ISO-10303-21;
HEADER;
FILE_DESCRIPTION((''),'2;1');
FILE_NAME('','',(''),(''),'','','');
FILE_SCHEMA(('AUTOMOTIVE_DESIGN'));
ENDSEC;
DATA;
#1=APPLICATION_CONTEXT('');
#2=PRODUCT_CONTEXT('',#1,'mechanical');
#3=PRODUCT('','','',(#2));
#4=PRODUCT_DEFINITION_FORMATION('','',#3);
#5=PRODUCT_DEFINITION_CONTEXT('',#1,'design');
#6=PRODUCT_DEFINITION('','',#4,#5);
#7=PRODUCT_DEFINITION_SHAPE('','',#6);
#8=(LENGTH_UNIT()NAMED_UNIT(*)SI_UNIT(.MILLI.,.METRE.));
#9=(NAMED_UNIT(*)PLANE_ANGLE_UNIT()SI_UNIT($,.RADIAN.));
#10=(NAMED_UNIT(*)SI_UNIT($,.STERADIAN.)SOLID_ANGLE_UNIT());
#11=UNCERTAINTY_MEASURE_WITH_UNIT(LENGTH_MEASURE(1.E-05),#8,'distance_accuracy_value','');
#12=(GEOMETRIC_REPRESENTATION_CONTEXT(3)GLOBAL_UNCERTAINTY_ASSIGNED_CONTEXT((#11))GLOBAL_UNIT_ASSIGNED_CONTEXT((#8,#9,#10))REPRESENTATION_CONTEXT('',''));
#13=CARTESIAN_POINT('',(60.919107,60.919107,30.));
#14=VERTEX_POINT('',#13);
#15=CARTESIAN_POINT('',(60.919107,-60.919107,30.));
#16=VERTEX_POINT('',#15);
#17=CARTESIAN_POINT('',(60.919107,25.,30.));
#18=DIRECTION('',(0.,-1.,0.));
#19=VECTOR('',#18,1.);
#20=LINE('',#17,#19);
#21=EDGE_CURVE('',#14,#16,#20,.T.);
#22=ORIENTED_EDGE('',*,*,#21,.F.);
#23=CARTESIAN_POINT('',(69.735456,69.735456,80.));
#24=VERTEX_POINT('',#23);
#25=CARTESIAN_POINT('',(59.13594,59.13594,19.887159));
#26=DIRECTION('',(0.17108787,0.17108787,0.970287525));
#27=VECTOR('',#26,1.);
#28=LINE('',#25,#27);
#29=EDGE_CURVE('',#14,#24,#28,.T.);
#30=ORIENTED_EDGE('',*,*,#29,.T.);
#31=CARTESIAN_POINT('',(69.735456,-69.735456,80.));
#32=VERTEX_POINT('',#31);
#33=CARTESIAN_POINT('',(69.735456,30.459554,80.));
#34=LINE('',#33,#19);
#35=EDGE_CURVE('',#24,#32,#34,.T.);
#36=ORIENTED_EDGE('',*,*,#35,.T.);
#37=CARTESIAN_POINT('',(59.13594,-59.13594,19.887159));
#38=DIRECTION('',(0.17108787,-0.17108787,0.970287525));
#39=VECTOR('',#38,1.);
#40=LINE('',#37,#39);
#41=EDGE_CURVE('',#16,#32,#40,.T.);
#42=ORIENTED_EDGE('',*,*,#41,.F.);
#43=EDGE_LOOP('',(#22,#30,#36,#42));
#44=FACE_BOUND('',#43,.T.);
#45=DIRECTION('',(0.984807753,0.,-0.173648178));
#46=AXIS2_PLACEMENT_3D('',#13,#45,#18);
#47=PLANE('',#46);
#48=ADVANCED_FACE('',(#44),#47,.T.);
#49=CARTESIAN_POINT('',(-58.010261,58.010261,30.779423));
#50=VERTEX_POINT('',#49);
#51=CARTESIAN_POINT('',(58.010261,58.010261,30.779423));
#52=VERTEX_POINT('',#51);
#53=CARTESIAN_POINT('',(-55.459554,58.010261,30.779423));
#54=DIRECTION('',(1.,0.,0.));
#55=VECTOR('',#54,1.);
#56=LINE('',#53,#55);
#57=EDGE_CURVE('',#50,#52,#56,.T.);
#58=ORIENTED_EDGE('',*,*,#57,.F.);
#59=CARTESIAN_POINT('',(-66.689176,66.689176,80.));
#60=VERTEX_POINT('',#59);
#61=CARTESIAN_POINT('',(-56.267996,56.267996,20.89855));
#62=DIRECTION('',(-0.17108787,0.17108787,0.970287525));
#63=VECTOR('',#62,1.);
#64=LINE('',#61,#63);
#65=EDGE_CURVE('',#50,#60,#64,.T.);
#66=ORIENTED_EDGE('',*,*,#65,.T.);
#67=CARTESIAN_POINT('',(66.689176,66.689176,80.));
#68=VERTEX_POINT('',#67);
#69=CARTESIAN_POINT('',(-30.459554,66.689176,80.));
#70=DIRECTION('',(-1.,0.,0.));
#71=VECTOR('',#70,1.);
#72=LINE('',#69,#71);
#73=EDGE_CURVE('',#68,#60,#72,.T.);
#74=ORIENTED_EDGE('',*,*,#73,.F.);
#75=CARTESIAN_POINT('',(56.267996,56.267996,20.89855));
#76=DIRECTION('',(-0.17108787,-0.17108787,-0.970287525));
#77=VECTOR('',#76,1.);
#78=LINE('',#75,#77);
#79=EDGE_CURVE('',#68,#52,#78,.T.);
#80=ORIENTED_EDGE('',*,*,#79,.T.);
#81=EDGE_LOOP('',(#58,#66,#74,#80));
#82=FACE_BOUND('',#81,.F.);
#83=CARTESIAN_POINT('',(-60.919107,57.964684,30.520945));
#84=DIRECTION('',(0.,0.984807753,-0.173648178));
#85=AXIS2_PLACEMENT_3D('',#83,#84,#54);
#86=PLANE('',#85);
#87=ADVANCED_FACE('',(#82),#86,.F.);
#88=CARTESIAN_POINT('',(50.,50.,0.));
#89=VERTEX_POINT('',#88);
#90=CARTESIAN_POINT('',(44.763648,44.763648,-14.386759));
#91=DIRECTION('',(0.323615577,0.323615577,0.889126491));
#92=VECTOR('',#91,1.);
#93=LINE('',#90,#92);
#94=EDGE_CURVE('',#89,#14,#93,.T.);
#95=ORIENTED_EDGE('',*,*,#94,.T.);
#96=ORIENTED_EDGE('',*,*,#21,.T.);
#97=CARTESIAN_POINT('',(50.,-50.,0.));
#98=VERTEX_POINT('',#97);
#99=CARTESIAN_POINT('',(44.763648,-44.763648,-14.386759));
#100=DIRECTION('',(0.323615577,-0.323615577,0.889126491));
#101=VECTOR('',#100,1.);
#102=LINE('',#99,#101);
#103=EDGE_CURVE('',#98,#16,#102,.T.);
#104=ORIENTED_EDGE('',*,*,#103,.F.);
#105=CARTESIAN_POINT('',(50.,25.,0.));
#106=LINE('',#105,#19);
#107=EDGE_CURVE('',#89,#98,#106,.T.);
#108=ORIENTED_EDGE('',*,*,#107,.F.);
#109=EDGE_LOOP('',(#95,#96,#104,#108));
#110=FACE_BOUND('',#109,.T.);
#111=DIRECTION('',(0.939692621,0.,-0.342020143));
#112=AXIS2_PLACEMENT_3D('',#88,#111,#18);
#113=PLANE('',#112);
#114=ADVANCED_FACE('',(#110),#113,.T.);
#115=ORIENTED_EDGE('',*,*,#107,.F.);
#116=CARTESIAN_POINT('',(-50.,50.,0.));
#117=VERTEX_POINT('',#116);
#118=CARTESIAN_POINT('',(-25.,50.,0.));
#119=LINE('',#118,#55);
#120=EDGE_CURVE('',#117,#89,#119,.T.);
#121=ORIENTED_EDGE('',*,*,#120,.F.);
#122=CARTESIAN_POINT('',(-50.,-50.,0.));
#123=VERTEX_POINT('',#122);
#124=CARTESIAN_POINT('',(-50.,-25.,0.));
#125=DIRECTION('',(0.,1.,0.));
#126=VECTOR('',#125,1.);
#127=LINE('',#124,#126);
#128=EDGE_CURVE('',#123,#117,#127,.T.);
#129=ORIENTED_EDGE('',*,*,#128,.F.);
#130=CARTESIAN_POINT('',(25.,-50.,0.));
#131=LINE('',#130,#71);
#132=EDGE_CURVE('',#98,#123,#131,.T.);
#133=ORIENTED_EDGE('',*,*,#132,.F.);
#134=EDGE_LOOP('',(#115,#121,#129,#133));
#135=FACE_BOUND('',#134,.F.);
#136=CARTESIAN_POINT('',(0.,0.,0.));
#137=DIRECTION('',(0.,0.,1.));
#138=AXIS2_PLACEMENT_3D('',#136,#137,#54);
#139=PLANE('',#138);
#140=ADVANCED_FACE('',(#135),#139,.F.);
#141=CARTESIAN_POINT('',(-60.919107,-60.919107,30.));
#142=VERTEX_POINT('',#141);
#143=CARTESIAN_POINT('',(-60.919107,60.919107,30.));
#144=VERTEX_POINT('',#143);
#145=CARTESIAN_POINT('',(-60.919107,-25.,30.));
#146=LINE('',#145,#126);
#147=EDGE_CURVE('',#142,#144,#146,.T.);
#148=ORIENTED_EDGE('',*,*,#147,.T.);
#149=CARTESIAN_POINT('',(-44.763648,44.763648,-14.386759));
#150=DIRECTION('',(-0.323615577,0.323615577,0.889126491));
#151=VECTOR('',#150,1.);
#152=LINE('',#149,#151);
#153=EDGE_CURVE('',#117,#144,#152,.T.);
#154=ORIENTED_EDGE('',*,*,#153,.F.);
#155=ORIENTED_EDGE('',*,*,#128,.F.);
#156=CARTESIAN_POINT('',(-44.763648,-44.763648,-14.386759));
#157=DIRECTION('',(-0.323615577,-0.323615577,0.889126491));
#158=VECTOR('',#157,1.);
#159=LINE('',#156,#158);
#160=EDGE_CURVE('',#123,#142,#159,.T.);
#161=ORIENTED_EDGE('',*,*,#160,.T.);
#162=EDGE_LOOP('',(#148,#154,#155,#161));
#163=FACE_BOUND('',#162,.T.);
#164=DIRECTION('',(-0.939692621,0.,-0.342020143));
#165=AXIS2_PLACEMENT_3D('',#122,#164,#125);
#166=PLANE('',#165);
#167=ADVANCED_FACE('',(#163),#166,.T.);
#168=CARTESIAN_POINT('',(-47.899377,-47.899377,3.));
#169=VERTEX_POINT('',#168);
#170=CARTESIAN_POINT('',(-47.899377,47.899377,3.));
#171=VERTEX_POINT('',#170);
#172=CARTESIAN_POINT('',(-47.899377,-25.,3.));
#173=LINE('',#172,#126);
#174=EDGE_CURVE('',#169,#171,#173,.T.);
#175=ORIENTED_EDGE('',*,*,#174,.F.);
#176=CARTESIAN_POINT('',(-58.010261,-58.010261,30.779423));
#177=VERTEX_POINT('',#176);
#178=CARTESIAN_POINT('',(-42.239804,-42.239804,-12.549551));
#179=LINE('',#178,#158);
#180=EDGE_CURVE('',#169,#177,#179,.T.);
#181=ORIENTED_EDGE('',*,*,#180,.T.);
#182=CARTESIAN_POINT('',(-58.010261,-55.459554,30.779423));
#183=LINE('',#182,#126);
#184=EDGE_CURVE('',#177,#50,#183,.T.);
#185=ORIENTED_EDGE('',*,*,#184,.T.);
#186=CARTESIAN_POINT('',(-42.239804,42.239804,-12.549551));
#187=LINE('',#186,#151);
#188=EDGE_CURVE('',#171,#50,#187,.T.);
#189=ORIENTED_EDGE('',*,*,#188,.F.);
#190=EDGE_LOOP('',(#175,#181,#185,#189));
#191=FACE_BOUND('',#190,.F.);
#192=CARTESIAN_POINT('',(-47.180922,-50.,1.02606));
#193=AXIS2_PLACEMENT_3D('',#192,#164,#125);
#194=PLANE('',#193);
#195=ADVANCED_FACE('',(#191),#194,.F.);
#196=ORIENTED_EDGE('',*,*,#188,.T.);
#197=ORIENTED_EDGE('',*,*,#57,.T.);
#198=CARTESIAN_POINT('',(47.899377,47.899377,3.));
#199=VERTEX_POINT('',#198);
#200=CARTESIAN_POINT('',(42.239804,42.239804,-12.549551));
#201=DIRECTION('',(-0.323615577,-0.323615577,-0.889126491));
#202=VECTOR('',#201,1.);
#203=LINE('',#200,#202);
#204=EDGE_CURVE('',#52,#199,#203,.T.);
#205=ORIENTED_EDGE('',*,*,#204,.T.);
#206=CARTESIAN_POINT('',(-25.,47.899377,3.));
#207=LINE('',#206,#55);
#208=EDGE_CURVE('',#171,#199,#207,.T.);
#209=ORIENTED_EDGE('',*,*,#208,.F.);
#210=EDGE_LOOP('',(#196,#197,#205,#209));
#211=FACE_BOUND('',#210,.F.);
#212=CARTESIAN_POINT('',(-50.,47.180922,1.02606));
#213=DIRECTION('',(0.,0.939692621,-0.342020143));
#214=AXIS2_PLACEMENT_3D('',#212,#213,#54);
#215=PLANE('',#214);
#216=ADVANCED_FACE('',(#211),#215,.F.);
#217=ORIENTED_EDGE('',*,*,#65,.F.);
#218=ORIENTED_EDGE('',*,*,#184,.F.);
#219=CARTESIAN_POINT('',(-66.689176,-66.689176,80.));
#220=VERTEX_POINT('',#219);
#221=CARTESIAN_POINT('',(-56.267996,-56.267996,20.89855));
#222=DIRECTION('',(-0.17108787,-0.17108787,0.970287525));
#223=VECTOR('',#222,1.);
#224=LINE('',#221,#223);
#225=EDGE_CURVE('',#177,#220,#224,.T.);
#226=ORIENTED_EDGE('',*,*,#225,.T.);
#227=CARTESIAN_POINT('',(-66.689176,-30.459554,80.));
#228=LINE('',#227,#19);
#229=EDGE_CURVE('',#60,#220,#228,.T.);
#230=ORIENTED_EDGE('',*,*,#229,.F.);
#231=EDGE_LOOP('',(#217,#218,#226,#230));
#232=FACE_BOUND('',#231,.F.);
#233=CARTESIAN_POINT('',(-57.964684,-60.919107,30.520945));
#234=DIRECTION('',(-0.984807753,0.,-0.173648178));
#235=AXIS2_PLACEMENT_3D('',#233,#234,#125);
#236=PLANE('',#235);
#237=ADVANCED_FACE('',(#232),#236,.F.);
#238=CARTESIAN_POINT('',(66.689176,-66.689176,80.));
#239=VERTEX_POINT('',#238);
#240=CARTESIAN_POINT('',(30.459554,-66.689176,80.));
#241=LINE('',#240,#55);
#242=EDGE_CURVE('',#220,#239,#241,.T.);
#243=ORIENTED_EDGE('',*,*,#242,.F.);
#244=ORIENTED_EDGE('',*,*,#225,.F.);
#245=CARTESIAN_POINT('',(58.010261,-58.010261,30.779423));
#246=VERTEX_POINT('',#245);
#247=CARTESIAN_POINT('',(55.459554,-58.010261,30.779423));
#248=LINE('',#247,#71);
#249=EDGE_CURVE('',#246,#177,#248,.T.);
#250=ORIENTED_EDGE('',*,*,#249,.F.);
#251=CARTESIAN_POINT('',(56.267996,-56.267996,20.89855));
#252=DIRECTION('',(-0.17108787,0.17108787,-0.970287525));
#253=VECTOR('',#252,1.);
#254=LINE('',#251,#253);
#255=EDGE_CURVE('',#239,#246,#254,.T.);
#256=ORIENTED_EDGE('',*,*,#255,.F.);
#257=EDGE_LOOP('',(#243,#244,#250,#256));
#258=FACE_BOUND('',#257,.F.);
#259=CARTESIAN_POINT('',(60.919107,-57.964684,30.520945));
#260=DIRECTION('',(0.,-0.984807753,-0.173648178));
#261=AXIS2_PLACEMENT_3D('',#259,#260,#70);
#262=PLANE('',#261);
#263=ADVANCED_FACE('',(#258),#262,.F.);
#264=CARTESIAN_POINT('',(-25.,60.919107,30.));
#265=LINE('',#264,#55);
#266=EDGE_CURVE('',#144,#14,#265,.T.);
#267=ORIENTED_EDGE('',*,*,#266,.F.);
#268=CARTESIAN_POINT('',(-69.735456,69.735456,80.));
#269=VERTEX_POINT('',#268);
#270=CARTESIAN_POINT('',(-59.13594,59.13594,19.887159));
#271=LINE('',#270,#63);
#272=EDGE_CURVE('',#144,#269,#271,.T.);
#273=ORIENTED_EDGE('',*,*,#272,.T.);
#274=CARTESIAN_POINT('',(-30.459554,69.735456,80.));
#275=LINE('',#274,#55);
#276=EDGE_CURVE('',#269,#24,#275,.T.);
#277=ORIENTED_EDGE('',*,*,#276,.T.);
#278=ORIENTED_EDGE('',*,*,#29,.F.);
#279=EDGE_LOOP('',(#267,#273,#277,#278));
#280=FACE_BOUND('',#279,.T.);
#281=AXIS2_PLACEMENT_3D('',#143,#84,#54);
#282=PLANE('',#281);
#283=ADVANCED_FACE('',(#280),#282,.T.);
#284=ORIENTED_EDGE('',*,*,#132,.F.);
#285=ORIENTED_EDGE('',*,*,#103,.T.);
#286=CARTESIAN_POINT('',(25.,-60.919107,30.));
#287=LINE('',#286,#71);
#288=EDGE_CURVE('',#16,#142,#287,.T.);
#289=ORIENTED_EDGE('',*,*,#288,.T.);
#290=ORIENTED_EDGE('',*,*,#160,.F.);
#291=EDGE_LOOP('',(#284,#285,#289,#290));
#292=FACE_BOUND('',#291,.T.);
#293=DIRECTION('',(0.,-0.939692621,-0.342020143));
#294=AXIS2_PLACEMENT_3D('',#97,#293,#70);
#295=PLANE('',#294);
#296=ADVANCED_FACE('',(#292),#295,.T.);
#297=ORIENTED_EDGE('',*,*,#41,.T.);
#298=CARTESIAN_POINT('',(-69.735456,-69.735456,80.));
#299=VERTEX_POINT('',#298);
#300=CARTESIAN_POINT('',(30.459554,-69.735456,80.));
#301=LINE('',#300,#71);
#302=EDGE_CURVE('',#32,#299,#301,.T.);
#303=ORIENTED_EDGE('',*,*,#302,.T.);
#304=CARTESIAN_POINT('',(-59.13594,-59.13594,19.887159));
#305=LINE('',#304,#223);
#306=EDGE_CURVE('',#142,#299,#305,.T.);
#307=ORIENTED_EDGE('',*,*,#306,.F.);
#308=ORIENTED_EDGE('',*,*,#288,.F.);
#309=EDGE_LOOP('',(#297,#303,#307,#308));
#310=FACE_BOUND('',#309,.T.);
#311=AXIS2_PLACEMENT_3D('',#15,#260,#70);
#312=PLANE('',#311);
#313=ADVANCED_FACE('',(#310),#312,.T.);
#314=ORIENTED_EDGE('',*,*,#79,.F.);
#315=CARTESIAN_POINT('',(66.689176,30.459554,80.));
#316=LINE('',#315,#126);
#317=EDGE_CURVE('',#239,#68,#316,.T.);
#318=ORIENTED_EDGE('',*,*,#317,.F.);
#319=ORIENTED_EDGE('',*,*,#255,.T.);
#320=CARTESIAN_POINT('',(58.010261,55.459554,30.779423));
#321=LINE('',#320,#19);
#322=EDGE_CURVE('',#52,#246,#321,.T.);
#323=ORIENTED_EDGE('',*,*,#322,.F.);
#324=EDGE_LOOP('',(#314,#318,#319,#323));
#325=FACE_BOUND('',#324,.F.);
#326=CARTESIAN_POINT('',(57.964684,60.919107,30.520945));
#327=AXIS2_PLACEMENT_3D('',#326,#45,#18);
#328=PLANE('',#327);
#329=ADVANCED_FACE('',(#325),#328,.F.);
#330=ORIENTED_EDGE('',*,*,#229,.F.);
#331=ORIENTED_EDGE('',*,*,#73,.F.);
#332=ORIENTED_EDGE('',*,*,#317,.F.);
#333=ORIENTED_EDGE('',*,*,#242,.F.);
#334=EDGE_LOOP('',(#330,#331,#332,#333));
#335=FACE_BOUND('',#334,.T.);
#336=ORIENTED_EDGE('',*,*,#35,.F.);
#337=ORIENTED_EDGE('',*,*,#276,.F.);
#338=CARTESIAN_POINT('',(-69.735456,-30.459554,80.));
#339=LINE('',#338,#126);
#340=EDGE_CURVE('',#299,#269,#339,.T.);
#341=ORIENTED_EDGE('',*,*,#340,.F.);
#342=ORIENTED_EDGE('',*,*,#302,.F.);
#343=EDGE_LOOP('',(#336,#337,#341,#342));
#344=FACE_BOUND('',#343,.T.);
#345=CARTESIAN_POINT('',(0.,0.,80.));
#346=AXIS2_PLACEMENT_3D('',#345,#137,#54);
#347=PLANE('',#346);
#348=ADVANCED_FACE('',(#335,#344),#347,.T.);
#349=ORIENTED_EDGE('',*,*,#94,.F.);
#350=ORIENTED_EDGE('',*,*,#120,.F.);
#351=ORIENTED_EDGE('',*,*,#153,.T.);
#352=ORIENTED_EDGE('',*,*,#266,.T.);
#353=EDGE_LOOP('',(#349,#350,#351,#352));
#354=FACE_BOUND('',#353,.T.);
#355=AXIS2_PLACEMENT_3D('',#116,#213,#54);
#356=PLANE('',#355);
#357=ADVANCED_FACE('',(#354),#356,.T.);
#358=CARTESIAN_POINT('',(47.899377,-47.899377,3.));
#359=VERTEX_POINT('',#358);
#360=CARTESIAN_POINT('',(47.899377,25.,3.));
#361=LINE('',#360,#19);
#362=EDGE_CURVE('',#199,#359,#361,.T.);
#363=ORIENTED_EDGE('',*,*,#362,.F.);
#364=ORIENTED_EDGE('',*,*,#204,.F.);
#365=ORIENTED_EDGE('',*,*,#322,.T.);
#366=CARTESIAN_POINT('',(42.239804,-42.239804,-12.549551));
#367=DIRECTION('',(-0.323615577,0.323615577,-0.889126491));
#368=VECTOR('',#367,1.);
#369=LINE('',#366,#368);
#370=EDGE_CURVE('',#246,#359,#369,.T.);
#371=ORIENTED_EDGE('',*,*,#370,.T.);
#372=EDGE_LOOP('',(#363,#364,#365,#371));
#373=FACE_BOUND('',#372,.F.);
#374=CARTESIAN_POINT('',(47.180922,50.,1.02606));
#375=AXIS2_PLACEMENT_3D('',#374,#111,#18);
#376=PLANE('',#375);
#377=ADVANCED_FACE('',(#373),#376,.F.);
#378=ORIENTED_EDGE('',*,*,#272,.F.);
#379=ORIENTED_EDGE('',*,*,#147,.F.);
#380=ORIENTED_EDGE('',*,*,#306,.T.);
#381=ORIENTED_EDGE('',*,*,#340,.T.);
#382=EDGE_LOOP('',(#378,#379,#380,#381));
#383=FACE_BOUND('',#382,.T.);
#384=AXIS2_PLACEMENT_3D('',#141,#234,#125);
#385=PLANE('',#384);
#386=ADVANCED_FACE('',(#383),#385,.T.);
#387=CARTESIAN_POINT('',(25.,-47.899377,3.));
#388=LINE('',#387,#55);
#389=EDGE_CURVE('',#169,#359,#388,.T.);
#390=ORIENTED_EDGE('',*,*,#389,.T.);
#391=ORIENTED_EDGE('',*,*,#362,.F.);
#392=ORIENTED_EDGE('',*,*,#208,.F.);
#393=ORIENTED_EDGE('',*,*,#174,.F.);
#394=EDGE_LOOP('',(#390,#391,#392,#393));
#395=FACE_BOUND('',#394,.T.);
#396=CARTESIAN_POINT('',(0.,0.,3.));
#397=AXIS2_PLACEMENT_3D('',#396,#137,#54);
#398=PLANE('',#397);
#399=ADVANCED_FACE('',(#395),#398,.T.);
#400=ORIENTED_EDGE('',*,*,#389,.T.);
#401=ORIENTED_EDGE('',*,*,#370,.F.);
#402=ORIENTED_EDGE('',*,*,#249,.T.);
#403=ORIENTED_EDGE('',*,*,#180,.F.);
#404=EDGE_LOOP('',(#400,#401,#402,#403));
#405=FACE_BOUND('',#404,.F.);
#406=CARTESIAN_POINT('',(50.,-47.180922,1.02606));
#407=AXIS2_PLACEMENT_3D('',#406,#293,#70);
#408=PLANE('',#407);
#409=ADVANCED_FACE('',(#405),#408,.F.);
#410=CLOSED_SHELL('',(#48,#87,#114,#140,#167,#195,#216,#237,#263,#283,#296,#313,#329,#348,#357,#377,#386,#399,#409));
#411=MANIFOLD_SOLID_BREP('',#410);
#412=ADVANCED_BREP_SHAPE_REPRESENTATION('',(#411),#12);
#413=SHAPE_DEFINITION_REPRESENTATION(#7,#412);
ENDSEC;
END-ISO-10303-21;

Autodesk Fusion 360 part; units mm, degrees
sketch "스케치1" plane through (0, 0, 0) normal (0, 0, 1) x (1, 0, 0) in component "Component'"
  line L0 (-50, 50) -> (50, 50)
  line L1 (50, 50) -> (50, -50)
  line L2 (50, -50) -> (-50, -50)
  line L3 (-50, -50) -> (-50, 50)
  line L4 (-150, -30) -> (-65.8539, -30)
  line L5 (-65.8539, -30) -> (-94.1954, 36.1303)
  line L6 (-94.1954, 36.1303) -> (-70, 20)
  line L7 (-70, 20) -> (-80, 50)
extrude "돌출1" add sketch "스케치1" along normal blind 30 draft 20 in component "Component'"
extrude "돌출2" add 1 faces at (-20.3064, 20.3064, 30) along direction (0, 0, 1) blind 50 draft 10 in component "Component'"
shell "쉘1" thickness 3 removed faces 1 at (-23.2452, 23.2452, 80) in component "Component'"
component "Component'" placed x (1, 0, 0) y (0, 1, 0) z (0, 0, 1) at (0, 0, 0)
